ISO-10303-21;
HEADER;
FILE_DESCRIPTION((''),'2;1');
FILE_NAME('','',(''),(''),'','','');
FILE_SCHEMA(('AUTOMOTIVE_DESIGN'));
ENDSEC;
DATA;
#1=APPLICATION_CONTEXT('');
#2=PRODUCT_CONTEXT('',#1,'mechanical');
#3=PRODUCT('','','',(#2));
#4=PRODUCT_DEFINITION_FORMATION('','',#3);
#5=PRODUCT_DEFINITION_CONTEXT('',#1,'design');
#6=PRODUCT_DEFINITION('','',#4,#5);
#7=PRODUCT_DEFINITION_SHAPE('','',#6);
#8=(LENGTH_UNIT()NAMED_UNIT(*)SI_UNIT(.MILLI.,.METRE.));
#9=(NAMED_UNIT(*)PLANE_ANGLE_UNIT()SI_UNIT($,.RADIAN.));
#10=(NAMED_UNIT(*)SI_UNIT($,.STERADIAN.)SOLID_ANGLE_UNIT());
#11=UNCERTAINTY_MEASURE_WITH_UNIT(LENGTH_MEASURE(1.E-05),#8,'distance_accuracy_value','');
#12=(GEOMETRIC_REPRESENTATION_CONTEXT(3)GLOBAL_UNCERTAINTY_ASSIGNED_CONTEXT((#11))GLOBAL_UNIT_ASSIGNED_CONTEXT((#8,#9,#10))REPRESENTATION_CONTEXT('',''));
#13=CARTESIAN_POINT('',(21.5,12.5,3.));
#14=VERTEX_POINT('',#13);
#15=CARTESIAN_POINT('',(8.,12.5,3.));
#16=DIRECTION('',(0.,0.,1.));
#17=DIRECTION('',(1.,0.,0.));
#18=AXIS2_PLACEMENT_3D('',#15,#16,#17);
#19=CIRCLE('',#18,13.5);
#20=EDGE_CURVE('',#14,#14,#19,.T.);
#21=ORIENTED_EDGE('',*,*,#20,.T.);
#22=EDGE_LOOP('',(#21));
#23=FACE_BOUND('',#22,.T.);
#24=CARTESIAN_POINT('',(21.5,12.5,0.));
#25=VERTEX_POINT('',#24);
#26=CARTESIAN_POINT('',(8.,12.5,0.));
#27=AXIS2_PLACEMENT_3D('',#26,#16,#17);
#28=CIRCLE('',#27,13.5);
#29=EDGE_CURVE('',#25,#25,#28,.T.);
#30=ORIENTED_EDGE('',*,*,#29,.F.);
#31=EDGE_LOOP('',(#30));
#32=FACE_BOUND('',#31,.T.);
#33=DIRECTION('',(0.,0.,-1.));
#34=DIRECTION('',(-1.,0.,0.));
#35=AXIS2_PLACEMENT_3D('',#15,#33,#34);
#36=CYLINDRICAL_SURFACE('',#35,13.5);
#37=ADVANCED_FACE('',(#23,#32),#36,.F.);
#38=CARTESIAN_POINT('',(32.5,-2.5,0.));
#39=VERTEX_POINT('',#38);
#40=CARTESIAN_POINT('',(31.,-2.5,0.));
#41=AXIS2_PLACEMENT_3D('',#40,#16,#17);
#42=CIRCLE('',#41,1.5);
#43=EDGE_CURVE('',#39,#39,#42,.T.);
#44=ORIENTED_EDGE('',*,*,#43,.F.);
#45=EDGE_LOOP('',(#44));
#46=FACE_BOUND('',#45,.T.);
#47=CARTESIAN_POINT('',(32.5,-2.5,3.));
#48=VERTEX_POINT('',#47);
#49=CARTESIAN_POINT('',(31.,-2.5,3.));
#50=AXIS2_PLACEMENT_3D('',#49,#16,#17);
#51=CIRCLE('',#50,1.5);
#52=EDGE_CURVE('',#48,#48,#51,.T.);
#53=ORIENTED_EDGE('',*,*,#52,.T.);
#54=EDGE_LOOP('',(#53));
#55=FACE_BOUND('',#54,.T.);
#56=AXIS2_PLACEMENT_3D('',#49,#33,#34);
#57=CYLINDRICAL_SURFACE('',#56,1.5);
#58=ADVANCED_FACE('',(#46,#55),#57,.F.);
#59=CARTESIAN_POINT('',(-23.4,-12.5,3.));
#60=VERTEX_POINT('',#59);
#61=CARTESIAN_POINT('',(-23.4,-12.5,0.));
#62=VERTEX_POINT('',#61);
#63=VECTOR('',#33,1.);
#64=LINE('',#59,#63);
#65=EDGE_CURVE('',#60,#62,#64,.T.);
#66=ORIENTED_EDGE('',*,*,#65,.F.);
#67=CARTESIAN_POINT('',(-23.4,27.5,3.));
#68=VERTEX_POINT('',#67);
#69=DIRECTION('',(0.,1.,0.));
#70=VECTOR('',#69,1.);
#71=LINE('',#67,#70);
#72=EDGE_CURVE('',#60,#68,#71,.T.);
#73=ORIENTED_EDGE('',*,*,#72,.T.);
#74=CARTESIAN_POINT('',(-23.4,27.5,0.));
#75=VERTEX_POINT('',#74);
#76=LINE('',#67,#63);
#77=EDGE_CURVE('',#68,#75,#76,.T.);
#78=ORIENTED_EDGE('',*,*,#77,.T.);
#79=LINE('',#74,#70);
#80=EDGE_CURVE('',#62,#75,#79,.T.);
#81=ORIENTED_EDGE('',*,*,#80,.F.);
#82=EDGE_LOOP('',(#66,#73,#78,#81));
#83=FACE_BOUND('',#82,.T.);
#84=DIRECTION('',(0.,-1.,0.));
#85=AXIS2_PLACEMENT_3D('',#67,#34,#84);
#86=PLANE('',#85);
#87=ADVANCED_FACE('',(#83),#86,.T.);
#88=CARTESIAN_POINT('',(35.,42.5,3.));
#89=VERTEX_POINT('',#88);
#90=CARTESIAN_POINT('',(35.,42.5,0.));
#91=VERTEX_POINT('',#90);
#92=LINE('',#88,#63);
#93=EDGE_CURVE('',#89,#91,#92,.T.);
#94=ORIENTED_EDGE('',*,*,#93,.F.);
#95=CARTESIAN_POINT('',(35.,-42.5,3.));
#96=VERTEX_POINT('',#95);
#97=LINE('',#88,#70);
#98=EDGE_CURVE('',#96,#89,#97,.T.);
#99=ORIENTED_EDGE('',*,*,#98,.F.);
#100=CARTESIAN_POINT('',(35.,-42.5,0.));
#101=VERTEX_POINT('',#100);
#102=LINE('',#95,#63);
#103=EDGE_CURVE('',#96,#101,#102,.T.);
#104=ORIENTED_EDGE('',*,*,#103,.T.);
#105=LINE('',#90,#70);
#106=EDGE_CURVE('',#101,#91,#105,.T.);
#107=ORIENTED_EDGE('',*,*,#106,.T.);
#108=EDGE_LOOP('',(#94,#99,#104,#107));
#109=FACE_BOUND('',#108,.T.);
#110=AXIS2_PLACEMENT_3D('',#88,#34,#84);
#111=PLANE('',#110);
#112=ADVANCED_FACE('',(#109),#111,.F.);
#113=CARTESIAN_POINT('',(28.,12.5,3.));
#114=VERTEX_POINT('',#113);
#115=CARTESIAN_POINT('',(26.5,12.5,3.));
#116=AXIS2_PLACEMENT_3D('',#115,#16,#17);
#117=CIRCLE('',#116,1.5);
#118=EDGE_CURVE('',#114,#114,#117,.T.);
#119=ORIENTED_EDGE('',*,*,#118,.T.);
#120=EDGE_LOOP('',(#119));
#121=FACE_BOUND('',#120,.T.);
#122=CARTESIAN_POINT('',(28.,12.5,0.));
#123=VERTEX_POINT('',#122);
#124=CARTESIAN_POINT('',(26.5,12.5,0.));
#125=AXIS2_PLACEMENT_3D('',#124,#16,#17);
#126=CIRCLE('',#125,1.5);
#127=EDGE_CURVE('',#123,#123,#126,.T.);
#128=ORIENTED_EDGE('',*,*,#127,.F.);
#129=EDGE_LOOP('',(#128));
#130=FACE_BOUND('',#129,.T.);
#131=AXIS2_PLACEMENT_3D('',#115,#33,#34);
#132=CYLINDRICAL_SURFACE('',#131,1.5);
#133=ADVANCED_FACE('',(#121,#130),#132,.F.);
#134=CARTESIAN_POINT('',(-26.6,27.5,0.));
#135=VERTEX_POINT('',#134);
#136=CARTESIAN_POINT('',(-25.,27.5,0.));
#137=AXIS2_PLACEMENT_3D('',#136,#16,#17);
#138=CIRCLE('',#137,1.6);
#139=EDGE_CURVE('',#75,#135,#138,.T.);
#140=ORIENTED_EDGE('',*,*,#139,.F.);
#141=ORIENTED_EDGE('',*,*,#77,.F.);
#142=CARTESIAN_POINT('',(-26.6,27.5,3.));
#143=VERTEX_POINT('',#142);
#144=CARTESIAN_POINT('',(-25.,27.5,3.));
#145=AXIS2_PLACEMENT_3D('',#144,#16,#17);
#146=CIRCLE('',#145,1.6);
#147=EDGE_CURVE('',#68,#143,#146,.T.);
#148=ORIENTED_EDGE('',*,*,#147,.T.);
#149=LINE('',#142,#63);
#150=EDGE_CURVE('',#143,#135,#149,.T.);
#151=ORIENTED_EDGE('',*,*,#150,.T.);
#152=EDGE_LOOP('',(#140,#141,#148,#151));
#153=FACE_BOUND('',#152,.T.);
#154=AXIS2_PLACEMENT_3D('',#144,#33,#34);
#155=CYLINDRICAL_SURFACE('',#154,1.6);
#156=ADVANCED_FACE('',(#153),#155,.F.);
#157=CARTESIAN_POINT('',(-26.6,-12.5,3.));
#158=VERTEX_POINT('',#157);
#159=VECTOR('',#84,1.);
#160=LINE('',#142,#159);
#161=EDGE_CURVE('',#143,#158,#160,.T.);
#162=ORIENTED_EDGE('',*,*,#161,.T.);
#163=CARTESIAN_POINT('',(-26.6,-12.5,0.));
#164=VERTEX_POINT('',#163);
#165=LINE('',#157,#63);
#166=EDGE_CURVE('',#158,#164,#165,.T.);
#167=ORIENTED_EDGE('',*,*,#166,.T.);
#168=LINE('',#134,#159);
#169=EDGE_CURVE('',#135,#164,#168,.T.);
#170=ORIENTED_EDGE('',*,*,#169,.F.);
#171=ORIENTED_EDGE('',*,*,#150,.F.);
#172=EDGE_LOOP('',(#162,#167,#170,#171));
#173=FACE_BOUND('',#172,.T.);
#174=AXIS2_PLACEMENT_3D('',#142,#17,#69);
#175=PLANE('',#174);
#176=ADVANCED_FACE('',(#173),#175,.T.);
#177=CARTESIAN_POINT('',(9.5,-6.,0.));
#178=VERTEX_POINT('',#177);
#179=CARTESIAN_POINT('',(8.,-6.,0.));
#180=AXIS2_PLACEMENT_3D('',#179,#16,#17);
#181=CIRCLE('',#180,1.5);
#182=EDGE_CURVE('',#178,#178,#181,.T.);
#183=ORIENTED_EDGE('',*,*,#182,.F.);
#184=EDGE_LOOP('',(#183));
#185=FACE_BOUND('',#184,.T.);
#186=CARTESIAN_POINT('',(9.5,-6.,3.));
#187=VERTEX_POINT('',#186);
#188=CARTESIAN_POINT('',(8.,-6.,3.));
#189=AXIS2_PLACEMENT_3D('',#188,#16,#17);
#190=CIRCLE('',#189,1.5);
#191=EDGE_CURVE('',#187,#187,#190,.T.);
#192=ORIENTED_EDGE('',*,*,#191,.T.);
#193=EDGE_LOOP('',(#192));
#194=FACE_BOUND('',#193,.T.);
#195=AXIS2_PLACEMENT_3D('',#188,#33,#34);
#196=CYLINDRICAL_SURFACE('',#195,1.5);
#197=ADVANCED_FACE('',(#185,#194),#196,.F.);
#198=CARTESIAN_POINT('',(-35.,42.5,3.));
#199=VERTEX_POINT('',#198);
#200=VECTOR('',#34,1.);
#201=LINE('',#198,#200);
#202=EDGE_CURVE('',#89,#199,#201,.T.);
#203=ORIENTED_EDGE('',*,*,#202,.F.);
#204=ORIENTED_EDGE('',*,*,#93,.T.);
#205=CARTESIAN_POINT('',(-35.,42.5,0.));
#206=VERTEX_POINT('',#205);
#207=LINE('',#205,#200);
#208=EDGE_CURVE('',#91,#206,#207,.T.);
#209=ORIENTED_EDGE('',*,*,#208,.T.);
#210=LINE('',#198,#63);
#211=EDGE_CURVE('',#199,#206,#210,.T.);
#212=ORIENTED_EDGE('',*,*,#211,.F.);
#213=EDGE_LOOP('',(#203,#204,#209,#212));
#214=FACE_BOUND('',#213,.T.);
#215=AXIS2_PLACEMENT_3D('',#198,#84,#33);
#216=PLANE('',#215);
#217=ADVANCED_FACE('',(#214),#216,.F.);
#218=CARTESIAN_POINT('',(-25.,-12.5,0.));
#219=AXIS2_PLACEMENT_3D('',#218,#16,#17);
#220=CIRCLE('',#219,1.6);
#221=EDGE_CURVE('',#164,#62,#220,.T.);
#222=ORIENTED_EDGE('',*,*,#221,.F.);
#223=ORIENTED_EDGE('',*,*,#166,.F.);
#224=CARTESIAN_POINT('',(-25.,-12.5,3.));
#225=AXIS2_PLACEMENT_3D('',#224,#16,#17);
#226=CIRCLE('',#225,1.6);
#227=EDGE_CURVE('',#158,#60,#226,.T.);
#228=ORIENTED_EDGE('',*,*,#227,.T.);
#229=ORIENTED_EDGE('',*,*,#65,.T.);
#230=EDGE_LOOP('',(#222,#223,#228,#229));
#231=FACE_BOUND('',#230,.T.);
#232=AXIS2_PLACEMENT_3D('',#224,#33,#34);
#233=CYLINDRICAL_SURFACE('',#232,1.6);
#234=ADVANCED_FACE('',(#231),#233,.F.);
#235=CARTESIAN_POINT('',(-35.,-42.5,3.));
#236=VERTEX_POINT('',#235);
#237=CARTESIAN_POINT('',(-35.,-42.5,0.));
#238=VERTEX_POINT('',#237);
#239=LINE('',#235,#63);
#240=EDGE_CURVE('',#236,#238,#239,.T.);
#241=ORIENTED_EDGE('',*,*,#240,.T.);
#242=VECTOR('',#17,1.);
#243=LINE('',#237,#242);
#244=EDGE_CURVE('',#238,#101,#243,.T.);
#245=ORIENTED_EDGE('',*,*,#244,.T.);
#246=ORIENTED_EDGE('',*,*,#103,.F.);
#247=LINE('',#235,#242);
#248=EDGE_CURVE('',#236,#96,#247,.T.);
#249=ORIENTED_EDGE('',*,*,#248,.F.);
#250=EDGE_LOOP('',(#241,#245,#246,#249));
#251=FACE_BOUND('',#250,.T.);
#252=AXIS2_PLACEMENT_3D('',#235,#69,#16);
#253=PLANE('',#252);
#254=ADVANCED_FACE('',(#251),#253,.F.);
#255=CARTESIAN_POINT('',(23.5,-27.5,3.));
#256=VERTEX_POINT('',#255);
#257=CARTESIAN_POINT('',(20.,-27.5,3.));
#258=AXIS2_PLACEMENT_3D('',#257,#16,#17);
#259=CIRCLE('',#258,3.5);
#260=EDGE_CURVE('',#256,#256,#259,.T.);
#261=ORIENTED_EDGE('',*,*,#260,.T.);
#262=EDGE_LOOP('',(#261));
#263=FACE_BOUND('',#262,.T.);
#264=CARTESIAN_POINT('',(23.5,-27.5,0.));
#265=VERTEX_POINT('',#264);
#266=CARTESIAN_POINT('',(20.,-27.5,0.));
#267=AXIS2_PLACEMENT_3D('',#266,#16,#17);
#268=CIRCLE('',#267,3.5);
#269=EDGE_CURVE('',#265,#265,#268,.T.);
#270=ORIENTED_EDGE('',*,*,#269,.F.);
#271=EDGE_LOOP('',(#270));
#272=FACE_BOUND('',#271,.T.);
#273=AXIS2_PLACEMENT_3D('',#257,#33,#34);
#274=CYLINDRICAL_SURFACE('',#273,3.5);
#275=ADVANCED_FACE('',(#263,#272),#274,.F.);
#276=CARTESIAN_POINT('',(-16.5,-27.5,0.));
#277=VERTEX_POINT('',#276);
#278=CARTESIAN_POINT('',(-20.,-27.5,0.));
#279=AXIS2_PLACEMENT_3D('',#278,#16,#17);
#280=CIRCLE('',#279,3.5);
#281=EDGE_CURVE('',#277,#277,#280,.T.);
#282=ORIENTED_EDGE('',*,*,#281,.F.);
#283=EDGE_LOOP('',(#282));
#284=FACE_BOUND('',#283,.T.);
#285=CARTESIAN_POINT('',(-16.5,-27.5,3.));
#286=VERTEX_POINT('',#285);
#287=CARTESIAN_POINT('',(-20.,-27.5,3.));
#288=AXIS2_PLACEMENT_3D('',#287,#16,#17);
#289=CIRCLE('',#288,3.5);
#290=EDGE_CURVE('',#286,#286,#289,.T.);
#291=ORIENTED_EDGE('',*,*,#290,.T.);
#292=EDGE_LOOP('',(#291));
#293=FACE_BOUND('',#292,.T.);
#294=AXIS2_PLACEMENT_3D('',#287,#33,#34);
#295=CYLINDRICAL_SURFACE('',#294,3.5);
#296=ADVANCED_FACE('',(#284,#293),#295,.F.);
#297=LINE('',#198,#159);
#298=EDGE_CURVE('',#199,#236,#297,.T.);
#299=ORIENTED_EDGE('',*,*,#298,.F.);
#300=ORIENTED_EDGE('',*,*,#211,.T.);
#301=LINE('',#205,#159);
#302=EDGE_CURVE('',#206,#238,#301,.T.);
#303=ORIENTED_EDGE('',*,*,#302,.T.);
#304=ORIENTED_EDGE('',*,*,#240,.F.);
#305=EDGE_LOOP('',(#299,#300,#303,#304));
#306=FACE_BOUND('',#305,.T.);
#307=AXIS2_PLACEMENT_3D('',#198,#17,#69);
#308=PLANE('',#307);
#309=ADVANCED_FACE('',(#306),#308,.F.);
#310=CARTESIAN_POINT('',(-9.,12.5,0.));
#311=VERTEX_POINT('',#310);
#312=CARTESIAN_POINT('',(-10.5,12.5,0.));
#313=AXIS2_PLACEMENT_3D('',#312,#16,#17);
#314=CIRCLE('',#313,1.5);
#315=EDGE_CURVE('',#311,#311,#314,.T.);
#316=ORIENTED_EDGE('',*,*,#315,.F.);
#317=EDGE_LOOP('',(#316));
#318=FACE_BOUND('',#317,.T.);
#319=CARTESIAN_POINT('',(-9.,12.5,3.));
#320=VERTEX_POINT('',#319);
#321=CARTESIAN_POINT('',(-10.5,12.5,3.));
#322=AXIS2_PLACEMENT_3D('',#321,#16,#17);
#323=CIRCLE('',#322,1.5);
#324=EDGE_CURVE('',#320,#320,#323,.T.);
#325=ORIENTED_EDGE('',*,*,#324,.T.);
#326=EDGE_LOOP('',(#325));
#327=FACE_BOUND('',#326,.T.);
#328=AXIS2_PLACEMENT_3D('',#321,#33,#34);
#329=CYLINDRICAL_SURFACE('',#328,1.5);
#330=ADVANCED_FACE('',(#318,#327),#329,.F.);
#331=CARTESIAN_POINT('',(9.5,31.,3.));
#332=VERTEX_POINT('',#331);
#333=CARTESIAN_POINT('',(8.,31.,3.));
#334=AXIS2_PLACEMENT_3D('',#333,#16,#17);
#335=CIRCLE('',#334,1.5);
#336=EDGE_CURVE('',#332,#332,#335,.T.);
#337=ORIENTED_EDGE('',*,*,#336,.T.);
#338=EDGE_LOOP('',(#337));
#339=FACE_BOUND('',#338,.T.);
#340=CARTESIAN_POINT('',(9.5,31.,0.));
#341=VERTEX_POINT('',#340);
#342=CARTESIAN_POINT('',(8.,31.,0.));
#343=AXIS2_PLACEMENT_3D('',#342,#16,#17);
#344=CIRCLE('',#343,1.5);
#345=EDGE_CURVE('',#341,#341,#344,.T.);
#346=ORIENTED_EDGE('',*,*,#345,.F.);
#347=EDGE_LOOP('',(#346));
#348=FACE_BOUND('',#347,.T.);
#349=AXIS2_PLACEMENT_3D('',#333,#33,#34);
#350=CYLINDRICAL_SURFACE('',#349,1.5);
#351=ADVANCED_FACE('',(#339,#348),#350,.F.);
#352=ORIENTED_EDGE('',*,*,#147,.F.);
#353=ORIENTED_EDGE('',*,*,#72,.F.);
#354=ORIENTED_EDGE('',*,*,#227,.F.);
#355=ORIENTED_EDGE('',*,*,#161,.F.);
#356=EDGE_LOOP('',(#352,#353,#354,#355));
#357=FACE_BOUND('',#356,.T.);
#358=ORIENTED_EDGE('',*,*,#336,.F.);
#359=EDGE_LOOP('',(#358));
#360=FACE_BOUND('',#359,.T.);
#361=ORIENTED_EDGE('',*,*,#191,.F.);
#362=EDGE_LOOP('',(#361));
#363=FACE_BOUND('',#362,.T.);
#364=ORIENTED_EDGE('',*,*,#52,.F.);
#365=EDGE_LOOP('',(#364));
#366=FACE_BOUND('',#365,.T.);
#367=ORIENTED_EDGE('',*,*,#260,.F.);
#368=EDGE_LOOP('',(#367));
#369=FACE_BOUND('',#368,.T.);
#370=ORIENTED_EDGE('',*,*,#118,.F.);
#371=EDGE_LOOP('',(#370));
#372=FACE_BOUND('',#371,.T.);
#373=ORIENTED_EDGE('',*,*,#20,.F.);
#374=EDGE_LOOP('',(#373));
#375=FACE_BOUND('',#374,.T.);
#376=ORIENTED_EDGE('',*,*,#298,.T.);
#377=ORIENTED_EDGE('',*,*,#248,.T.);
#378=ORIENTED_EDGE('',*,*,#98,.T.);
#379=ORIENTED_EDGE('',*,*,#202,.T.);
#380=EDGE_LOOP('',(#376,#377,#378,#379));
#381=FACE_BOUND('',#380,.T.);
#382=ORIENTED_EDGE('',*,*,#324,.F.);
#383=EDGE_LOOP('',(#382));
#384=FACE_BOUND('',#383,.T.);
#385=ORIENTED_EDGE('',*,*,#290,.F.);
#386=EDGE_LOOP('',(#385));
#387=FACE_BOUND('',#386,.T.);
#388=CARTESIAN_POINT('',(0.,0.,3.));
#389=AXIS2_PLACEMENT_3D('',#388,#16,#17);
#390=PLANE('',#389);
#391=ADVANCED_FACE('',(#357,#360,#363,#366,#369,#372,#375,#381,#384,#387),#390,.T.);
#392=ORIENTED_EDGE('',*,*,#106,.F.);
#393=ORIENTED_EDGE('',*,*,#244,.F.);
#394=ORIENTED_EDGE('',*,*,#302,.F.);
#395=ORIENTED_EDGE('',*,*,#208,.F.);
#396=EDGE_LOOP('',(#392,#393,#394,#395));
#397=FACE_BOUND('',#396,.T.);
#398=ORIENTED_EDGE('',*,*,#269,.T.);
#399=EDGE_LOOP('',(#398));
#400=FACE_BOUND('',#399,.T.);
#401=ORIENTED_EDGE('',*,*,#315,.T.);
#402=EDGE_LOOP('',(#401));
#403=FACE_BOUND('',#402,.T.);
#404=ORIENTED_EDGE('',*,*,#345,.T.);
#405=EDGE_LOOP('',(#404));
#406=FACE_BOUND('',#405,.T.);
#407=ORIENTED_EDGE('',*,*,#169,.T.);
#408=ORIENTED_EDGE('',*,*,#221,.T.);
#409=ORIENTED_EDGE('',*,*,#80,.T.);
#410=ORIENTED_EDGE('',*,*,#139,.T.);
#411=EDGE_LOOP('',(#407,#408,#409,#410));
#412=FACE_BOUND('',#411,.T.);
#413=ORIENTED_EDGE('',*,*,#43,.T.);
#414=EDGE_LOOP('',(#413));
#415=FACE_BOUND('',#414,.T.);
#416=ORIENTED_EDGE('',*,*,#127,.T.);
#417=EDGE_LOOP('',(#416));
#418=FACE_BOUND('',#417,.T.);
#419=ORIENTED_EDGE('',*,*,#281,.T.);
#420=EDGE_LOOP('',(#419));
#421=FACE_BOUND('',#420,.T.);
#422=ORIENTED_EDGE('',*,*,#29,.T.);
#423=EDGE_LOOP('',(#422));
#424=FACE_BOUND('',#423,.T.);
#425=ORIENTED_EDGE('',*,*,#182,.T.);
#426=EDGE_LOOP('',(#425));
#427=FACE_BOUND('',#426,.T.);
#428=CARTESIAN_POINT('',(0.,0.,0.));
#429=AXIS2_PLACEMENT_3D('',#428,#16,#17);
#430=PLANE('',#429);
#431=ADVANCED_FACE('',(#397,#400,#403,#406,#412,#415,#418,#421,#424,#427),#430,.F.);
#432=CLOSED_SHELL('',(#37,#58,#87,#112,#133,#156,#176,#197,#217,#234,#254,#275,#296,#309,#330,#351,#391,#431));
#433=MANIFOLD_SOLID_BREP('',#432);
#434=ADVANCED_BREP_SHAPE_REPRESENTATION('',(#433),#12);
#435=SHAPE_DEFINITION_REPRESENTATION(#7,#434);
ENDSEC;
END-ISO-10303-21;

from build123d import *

# Parameters (mm, degrees)
SKETCH1_W           = 70
SKETCH1_H           = 85
SKETCH1_R           = 1.5
SKETCH1_R_2         = 13.5
SKETCH1_R_3         = 3.5
BOSS_EXTRUDE1_DEPTH = 3


with BuildPart() as part:
    # Sketch1 → Boss-Extrude1 (new body)
    with BuildSketch(Plane.XY):
        Rectangle(SKETCH1_W, SKETCH1_H)
        with Locations((31, -2.5)):
            Circle(SKETCH1_R, mode=Mode.SUBTRACT)
        with Locations((8, 12.5)):
            Circle(SKETCH1_R_2, mode=Mode.SUBTRACT)
        with Locations((-20, -27.5)):
            Circle(SKETCH1_R_3, mode=Mode.SUBTRACT)
        with Locations((20, -27.5)):
            Circle(SKETCH1_R_3, mode=Mode.SUBTRACT)
        with Locations((8, 31)):
            Circle(SKETCH1_R, mode=Mode.SUBTRACT)
        with Locations((26.5, 12.5)):
            Circle(SKETCH1_R, mode=Mode.SUBTRACT)
        with Locations((8, -6)):
            Circle(SKETCH1_R, mode=Mode.SUBTRACT)
        with Locations((-10.5, 12.5)):
            Circle(SKETCH1_R, mode=Mode.SUBTRACT)
        with BuildLine():
            Line((-26.6, 27.5), (-26.6, -12.5))
            ThreePointArc((-26.6, -12.5), (-25, -14.1), (-23.4, -12.5))
            Line((-23.4, -12.5), (-23.4, 27.5))
            ThreePointArc((-23.4, 27.5), (-25, 29.1), (-26.6, 27.5))
        make_face(mode=Mode.SUBTRACT)
    extrude(amount=BOSS_EXTRUDE1_DEPTH)


solid = part.part
